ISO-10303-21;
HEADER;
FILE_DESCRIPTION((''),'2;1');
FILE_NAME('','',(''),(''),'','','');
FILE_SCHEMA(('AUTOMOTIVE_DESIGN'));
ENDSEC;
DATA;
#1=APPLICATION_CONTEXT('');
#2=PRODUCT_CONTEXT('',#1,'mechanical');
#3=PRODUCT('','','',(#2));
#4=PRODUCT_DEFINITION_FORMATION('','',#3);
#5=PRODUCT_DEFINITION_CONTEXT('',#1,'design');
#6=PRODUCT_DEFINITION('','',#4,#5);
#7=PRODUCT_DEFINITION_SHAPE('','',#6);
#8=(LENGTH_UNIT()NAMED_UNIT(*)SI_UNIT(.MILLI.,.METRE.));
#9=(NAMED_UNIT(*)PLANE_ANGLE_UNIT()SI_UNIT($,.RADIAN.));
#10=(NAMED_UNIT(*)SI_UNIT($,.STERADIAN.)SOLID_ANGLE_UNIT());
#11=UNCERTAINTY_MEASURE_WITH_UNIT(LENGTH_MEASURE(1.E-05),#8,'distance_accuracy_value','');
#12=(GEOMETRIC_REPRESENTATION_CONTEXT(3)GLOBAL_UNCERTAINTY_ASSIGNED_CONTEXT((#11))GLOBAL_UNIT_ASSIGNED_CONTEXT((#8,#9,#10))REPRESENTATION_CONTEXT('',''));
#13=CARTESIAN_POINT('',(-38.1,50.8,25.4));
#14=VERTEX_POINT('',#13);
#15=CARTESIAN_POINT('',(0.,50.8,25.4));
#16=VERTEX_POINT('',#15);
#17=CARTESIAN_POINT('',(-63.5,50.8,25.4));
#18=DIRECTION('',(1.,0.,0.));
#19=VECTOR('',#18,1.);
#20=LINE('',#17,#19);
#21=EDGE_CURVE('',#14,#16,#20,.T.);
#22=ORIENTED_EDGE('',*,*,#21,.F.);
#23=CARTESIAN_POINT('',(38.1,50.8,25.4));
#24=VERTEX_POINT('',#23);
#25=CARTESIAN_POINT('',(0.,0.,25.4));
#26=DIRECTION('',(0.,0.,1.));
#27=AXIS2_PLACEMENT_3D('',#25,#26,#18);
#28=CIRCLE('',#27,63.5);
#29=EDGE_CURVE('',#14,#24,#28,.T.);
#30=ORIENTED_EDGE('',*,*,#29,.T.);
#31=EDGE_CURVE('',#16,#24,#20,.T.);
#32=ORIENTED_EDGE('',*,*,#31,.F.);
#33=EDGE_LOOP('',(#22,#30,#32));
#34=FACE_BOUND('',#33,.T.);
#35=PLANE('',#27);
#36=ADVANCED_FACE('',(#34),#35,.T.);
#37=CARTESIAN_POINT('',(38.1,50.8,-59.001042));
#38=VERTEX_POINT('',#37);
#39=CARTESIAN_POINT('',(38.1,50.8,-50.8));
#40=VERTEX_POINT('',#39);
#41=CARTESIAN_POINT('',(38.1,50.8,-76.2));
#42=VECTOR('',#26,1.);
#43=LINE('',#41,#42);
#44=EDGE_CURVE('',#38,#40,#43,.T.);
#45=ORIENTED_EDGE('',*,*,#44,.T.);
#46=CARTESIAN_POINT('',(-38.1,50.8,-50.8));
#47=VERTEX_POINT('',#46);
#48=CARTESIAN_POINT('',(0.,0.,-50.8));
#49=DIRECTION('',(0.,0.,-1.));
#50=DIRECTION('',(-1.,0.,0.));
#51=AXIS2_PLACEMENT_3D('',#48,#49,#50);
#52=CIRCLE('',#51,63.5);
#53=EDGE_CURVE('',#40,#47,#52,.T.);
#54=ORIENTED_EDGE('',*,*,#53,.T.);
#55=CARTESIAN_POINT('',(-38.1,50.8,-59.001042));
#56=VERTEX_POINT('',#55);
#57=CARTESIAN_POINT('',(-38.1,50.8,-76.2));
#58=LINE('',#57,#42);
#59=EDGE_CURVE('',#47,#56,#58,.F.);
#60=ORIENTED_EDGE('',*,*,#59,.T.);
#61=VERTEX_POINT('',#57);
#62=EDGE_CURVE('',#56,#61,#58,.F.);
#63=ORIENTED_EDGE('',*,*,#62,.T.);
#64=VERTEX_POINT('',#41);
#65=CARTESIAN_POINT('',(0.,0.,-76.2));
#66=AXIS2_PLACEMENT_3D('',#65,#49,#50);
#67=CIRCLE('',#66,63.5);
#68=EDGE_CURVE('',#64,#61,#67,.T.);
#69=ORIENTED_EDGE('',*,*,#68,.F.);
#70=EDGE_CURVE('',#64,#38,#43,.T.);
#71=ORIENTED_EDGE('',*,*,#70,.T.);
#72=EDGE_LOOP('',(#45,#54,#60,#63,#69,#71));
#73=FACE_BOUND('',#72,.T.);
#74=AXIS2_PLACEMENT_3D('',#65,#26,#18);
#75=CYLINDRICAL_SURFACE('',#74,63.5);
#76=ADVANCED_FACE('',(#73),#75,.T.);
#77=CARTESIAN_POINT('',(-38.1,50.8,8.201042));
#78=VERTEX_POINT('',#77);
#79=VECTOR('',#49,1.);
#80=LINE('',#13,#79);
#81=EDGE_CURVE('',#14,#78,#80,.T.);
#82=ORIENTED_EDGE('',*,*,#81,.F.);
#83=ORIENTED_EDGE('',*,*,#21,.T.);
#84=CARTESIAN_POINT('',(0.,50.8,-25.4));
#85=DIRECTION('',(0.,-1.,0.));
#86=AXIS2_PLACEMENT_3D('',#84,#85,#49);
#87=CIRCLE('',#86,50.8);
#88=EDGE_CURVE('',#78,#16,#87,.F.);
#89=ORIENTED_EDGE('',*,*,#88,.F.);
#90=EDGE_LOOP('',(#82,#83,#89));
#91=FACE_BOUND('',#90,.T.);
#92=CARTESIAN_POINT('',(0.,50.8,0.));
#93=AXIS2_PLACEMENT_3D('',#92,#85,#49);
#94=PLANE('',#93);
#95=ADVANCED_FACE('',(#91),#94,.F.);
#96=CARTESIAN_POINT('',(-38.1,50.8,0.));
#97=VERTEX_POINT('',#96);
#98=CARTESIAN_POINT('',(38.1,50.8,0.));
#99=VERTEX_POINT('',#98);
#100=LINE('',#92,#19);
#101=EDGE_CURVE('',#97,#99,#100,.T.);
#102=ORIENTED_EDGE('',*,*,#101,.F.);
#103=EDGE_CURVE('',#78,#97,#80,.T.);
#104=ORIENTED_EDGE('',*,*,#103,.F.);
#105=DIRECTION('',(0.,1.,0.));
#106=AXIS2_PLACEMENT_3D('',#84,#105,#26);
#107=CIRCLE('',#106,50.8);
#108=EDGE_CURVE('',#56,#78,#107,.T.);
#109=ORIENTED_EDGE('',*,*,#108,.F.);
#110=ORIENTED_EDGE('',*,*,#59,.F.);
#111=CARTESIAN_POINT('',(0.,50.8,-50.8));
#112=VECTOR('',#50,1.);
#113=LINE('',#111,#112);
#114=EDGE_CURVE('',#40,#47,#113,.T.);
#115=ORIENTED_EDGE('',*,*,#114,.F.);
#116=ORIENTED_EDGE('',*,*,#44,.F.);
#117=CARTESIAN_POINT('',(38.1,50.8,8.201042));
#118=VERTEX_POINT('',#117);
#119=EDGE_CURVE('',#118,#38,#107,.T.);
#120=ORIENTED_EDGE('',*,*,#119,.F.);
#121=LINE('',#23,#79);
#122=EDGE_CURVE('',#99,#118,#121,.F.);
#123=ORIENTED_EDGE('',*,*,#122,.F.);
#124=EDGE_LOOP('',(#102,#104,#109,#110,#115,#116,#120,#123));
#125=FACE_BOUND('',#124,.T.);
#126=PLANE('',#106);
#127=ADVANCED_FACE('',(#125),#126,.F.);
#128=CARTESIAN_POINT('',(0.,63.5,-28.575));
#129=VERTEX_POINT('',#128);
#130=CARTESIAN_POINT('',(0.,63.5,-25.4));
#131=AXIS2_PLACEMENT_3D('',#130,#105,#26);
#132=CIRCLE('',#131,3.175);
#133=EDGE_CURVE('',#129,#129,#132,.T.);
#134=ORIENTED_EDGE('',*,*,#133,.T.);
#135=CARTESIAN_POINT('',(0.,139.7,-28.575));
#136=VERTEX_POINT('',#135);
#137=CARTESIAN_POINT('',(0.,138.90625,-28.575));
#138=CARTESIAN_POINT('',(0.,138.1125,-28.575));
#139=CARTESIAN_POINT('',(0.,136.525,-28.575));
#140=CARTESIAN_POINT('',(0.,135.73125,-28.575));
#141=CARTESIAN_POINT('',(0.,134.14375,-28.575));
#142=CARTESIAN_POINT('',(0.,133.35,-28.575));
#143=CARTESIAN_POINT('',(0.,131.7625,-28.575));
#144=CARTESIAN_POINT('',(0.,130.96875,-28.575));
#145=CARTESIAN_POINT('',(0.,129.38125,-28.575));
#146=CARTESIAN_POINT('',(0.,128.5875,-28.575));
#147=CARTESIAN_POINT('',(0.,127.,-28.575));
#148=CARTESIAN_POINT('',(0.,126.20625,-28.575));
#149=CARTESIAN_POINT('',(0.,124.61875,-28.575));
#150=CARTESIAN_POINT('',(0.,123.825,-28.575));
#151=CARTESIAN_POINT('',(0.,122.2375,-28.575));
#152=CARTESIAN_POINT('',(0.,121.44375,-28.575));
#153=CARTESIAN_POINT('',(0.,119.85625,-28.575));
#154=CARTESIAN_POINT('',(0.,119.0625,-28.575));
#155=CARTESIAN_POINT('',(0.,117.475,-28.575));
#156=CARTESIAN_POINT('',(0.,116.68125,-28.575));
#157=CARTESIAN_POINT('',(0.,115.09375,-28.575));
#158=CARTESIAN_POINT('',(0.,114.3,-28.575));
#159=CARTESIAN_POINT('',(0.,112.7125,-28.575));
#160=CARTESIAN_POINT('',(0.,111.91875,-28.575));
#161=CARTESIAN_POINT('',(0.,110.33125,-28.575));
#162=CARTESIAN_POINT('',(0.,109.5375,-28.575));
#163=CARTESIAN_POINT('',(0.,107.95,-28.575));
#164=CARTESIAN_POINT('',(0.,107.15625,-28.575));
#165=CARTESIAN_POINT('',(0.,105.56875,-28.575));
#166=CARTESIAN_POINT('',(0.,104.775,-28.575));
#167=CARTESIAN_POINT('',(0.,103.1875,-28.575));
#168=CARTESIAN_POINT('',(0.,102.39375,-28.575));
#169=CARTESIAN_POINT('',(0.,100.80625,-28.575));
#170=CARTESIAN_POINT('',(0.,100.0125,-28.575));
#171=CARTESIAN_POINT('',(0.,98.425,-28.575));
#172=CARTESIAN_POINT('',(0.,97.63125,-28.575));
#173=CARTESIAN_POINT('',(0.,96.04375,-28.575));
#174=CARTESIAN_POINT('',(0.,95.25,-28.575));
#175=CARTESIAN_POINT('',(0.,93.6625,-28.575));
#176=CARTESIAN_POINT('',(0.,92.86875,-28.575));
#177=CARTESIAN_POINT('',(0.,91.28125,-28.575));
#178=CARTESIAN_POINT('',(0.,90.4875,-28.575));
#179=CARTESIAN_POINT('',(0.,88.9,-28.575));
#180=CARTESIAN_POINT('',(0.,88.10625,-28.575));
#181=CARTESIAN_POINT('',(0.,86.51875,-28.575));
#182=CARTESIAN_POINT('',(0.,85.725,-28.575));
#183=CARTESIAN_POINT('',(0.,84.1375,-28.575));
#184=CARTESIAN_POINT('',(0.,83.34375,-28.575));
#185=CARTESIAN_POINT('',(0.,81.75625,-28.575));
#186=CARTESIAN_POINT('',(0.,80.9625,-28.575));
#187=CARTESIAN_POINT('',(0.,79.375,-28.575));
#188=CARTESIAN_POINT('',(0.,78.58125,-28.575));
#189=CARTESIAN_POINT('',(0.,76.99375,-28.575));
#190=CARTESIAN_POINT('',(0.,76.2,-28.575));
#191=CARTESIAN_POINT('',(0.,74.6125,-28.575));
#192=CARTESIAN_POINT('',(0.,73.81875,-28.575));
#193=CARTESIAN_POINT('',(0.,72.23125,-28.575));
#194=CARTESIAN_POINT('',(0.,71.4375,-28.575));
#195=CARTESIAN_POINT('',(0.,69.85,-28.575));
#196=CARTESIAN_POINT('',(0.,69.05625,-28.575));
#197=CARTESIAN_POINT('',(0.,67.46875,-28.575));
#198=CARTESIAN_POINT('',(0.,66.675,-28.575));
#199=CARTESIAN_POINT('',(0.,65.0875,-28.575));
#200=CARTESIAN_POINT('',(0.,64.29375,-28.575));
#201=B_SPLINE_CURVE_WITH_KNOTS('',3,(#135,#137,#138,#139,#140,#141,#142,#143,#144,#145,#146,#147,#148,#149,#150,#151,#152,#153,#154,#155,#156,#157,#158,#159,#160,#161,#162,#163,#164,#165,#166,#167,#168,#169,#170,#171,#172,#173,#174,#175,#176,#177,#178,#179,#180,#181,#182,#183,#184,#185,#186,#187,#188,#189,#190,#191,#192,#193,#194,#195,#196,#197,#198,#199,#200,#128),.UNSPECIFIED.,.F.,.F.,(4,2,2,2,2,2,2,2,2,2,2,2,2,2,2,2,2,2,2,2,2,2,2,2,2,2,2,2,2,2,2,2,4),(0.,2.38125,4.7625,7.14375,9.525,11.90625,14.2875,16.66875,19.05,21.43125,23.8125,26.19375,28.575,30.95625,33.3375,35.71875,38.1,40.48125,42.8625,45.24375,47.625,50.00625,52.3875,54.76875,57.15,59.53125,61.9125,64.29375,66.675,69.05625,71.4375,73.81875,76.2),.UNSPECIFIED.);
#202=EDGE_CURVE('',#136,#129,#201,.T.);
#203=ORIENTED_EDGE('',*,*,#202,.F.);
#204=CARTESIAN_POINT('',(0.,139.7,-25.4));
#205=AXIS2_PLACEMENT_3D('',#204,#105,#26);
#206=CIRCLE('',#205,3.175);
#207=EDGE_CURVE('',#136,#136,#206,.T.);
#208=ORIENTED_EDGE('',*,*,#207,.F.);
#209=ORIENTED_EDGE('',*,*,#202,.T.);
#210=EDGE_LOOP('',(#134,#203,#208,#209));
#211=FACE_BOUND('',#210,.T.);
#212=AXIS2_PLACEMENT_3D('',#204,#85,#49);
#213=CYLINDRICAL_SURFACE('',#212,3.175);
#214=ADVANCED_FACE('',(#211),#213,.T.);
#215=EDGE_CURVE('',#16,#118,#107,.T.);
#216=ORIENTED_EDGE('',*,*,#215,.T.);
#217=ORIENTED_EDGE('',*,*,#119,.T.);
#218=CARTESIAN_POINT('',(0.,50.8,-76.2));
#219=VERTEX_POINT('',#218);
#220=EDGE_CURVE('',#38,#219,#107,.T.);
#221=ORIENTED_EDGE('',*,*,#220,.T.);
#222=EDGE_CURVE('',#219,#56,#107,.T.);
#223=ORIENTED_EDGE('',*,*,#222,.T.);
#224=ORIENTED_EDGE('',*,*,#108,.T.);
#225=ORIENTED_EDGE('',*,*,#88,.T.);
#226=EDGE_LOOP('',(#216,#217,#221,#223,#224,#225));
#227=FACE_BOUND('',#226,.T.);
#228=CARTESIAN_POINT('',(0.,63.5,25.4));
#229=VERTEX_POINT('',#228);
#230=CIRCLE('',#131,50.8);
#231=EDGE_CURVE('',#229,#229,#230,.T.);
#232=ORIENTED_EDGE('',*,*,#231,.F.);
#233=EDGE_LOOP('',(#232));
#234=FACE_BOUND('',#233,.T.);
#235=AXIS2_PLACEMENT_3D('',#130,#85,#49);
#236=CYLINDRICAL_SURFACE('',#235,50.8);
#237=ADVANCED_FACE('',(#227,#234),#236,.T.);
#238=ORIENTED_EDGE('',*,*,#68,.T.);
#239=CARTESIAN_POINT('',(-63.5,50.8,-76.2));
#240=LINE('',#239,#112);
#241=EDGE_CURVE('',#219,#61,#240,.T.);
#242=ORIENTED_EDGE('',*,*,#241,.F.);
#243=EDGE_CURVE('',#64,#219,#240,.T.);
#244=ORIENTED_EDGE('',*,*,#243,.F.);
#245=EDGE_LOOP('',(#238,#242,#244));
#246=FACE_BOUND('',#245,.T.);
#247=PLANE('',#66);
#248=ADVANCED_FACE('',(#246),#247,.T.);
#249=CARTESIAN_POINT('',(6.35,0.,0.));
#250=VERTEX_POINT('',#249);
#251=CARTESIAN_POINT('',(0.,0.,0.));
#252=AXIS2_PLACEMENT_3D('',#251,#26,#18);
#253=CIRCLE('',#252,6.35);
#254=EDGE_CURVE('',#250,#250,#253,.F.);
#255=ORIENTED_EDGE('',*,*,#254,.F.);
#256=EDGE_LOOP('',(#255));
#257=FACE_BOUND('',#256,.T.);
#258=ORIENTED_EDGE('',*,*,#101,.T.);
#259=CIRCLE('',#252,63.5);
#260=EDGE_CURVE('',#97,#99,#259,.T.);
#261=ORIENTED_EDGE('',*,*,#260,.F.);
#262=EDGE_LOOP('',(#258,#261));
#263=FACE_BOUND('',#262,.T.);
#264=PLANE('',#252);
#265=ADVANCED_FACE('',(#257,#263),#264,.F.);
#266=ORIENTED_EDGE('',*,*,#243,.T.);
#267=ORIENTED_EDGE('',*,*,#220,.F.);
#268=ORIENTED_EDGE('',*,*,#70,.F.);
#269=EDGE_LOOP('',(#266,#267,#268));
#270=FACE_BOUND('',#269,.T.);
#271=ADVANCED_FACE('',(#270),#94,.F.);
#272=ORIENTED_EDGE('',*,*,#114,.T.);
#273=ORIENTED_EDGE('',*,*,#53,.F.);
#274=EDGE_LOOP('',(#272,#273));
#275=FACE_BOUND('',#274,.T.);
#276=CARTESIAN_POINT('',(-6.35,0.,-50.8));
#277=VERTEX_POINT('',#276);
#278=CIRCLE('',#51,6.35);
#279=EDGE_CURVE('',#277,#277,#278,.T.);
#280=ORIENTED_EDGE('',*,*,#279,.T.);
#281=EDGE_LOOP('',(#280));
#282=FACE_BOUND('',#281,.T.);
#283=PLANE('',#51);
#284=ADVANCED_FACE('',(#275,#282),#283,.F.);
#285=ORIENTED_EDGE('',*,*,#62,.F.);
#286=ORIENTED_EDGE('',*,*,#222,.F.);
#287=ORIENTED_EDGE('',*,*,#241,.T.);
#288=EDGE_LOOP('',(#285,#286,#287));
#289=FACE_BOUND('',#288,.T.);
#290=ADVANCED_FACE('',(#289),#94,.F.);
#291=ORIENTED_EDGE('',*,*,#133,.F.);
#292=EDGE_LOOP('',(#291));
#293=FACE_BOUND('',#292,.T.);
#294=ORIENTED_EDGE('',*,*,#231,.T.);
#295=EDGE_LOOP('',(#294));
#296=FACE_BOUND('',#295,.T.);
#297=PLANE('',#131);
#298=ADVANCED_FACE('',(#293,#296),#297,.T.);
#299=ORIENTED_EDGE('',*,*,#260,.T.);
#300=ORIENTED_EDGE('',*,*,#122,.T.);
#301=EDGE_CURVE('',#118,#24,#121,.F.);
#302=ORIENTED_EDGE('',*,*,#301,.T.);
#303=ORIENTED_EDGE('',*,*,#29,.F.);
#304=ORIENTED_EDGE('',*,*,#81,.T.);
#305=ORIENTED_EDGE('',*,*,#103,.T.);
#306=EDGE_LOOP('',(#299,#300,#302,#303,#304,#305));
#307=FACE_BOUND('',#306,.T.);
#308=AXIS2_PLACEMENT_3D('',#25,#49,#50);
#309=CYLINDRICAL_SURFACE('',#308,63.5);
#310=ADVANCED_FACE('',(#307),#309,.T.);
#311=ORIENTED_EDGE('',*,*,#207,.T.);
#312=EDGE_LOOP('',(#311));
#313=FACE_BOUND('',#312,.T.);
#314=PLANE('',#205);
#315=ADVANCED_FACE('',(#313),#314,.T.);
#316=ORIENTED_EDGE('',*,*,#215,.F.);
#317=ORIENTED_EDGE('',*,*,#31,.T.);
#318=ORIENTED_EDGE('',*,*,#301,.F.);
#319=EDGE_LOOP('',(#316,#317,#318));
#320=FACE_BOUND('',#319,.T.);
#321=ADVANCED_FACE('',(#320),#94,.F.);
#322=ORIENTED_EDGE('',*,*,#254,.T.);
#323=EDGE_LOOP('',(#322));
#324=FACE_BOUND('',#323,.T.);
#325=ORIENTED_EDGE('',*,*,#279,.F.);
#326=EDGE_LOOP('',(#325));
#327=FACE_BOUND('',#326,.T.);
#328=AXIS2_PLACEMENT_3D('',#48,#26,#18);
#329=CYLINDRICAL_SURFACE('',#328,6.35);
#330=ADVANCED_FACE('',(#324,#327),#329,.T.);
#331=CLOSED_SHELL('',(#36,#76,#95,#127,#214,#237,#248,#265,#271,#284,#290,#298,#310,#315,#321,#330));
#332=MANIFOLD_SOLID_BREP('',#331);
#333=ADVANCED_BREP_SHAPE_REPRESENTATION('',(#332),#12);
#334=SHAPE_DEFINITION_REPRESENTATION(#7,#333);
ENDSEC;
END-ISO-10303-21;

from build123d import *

# Parameters (mm, degrees)
SKETCH2_R           = 63.5
BOSS_EXTRUDE1_DEPTH = 25.4
SKETCH3_R           = 6.35
BOSS_EXTRUDE2_DEPTH = 50.8
BOSS_EXTRUDE3_START = 25.4
SKETCH4_R           = 63.5
BOSS_EXTRUDE3_DEPTH = 25.4
CUT_EXTRUDE1_START  = 76.2
SKETCH5_W           = 127
SKETCH5_H           = 101.6
CUT_EXTRUDE1_DEPTH  = 25.4
SKETCH6_R           = 50.8
BOSS_EXTRUDE4_DEPTH = 12.7
SKETCH7_R           = 3.175
BOSS_EXTRUDE5_DEPTH = 76.2


with BuildPart() as part:
    # Sketch2 → Boss-Extrude1 (new body)
    with BuildSketch(Plane.XY):
        Circle(SKETCH2_R)
    extrude(amount=BOSS_EXTRUDE1_DEPTH)

    # Sketch3 → Boss-Extrude2 (add)
    with BuildSketch(Plane(origin=(0, 0, 0), x_dir=(-1, 0, 0), z_dir=(0, 0, -1))):
        with Locations(Location((0, 0, 0), (0, 0, 180))):
            Circle(SKETCH3_R)
    extrude(amount=BOSS_EXTRUDE2_DEPTH)

    # Sketch4 → Boss-Extrude3 (add)
    with BuildSketch(Plane(origin=(0, 0, -50.8), x_dir=(-1, 0, 0), z_dir=(0, 0, -1)).offset(BOSS_EXTRUDE3_START)):
        with Locations(Location((0, 0, 0), (0, 0, 180))):
            Circle(SKETCH4_R)
    extrude(amount=-BOSS_EXTRUDE3_DEPTH)

    # Sketch5 → Cut-Extrude1 (cut)
    with BuildSketch(Plane(origin=(0, 0, 0), x_dir=(1, 0, 0), z_dir=(0, 1, 0)).offset(CUT_EXTRUDE1_START)):
        with Locations((0, 25.4)):
            Rectangle(SKETCH5_W, SKETCH5_H)
    extrude(amount=-CUT_EXTRUDE1_DEPTH, mode=Mode.SUBTRACT)

    # Sketch6 → Boss-Extrude4 (add)
    with BuildSketch(Plane(origin=(0, 50.8, 0), x_dir=(1, 0, 0), z_dir=(0, 1, 0))):
        with Locations(Location((0, 25.4, 0), (0, 0, 270))):
            Circle(SKETCH6_R)
    extrude(amount=BOSS_EXTRUDE4_DEPTH)

    # Sketch7 → Boss-Extrude5 (add)
    with BuildSketch(Plane(origin=(0, 63.5, 0), x_dir=(1, 0, 0), z_dir=(0, 1, 0))):
        with Locations(Location((0, 25.4, 0), (0, 0, 90))):
            Circle(SKETCH7_R)
    extrude(amount=BOSS_EXTRUDE5_DEPTH)


solid = part.part
